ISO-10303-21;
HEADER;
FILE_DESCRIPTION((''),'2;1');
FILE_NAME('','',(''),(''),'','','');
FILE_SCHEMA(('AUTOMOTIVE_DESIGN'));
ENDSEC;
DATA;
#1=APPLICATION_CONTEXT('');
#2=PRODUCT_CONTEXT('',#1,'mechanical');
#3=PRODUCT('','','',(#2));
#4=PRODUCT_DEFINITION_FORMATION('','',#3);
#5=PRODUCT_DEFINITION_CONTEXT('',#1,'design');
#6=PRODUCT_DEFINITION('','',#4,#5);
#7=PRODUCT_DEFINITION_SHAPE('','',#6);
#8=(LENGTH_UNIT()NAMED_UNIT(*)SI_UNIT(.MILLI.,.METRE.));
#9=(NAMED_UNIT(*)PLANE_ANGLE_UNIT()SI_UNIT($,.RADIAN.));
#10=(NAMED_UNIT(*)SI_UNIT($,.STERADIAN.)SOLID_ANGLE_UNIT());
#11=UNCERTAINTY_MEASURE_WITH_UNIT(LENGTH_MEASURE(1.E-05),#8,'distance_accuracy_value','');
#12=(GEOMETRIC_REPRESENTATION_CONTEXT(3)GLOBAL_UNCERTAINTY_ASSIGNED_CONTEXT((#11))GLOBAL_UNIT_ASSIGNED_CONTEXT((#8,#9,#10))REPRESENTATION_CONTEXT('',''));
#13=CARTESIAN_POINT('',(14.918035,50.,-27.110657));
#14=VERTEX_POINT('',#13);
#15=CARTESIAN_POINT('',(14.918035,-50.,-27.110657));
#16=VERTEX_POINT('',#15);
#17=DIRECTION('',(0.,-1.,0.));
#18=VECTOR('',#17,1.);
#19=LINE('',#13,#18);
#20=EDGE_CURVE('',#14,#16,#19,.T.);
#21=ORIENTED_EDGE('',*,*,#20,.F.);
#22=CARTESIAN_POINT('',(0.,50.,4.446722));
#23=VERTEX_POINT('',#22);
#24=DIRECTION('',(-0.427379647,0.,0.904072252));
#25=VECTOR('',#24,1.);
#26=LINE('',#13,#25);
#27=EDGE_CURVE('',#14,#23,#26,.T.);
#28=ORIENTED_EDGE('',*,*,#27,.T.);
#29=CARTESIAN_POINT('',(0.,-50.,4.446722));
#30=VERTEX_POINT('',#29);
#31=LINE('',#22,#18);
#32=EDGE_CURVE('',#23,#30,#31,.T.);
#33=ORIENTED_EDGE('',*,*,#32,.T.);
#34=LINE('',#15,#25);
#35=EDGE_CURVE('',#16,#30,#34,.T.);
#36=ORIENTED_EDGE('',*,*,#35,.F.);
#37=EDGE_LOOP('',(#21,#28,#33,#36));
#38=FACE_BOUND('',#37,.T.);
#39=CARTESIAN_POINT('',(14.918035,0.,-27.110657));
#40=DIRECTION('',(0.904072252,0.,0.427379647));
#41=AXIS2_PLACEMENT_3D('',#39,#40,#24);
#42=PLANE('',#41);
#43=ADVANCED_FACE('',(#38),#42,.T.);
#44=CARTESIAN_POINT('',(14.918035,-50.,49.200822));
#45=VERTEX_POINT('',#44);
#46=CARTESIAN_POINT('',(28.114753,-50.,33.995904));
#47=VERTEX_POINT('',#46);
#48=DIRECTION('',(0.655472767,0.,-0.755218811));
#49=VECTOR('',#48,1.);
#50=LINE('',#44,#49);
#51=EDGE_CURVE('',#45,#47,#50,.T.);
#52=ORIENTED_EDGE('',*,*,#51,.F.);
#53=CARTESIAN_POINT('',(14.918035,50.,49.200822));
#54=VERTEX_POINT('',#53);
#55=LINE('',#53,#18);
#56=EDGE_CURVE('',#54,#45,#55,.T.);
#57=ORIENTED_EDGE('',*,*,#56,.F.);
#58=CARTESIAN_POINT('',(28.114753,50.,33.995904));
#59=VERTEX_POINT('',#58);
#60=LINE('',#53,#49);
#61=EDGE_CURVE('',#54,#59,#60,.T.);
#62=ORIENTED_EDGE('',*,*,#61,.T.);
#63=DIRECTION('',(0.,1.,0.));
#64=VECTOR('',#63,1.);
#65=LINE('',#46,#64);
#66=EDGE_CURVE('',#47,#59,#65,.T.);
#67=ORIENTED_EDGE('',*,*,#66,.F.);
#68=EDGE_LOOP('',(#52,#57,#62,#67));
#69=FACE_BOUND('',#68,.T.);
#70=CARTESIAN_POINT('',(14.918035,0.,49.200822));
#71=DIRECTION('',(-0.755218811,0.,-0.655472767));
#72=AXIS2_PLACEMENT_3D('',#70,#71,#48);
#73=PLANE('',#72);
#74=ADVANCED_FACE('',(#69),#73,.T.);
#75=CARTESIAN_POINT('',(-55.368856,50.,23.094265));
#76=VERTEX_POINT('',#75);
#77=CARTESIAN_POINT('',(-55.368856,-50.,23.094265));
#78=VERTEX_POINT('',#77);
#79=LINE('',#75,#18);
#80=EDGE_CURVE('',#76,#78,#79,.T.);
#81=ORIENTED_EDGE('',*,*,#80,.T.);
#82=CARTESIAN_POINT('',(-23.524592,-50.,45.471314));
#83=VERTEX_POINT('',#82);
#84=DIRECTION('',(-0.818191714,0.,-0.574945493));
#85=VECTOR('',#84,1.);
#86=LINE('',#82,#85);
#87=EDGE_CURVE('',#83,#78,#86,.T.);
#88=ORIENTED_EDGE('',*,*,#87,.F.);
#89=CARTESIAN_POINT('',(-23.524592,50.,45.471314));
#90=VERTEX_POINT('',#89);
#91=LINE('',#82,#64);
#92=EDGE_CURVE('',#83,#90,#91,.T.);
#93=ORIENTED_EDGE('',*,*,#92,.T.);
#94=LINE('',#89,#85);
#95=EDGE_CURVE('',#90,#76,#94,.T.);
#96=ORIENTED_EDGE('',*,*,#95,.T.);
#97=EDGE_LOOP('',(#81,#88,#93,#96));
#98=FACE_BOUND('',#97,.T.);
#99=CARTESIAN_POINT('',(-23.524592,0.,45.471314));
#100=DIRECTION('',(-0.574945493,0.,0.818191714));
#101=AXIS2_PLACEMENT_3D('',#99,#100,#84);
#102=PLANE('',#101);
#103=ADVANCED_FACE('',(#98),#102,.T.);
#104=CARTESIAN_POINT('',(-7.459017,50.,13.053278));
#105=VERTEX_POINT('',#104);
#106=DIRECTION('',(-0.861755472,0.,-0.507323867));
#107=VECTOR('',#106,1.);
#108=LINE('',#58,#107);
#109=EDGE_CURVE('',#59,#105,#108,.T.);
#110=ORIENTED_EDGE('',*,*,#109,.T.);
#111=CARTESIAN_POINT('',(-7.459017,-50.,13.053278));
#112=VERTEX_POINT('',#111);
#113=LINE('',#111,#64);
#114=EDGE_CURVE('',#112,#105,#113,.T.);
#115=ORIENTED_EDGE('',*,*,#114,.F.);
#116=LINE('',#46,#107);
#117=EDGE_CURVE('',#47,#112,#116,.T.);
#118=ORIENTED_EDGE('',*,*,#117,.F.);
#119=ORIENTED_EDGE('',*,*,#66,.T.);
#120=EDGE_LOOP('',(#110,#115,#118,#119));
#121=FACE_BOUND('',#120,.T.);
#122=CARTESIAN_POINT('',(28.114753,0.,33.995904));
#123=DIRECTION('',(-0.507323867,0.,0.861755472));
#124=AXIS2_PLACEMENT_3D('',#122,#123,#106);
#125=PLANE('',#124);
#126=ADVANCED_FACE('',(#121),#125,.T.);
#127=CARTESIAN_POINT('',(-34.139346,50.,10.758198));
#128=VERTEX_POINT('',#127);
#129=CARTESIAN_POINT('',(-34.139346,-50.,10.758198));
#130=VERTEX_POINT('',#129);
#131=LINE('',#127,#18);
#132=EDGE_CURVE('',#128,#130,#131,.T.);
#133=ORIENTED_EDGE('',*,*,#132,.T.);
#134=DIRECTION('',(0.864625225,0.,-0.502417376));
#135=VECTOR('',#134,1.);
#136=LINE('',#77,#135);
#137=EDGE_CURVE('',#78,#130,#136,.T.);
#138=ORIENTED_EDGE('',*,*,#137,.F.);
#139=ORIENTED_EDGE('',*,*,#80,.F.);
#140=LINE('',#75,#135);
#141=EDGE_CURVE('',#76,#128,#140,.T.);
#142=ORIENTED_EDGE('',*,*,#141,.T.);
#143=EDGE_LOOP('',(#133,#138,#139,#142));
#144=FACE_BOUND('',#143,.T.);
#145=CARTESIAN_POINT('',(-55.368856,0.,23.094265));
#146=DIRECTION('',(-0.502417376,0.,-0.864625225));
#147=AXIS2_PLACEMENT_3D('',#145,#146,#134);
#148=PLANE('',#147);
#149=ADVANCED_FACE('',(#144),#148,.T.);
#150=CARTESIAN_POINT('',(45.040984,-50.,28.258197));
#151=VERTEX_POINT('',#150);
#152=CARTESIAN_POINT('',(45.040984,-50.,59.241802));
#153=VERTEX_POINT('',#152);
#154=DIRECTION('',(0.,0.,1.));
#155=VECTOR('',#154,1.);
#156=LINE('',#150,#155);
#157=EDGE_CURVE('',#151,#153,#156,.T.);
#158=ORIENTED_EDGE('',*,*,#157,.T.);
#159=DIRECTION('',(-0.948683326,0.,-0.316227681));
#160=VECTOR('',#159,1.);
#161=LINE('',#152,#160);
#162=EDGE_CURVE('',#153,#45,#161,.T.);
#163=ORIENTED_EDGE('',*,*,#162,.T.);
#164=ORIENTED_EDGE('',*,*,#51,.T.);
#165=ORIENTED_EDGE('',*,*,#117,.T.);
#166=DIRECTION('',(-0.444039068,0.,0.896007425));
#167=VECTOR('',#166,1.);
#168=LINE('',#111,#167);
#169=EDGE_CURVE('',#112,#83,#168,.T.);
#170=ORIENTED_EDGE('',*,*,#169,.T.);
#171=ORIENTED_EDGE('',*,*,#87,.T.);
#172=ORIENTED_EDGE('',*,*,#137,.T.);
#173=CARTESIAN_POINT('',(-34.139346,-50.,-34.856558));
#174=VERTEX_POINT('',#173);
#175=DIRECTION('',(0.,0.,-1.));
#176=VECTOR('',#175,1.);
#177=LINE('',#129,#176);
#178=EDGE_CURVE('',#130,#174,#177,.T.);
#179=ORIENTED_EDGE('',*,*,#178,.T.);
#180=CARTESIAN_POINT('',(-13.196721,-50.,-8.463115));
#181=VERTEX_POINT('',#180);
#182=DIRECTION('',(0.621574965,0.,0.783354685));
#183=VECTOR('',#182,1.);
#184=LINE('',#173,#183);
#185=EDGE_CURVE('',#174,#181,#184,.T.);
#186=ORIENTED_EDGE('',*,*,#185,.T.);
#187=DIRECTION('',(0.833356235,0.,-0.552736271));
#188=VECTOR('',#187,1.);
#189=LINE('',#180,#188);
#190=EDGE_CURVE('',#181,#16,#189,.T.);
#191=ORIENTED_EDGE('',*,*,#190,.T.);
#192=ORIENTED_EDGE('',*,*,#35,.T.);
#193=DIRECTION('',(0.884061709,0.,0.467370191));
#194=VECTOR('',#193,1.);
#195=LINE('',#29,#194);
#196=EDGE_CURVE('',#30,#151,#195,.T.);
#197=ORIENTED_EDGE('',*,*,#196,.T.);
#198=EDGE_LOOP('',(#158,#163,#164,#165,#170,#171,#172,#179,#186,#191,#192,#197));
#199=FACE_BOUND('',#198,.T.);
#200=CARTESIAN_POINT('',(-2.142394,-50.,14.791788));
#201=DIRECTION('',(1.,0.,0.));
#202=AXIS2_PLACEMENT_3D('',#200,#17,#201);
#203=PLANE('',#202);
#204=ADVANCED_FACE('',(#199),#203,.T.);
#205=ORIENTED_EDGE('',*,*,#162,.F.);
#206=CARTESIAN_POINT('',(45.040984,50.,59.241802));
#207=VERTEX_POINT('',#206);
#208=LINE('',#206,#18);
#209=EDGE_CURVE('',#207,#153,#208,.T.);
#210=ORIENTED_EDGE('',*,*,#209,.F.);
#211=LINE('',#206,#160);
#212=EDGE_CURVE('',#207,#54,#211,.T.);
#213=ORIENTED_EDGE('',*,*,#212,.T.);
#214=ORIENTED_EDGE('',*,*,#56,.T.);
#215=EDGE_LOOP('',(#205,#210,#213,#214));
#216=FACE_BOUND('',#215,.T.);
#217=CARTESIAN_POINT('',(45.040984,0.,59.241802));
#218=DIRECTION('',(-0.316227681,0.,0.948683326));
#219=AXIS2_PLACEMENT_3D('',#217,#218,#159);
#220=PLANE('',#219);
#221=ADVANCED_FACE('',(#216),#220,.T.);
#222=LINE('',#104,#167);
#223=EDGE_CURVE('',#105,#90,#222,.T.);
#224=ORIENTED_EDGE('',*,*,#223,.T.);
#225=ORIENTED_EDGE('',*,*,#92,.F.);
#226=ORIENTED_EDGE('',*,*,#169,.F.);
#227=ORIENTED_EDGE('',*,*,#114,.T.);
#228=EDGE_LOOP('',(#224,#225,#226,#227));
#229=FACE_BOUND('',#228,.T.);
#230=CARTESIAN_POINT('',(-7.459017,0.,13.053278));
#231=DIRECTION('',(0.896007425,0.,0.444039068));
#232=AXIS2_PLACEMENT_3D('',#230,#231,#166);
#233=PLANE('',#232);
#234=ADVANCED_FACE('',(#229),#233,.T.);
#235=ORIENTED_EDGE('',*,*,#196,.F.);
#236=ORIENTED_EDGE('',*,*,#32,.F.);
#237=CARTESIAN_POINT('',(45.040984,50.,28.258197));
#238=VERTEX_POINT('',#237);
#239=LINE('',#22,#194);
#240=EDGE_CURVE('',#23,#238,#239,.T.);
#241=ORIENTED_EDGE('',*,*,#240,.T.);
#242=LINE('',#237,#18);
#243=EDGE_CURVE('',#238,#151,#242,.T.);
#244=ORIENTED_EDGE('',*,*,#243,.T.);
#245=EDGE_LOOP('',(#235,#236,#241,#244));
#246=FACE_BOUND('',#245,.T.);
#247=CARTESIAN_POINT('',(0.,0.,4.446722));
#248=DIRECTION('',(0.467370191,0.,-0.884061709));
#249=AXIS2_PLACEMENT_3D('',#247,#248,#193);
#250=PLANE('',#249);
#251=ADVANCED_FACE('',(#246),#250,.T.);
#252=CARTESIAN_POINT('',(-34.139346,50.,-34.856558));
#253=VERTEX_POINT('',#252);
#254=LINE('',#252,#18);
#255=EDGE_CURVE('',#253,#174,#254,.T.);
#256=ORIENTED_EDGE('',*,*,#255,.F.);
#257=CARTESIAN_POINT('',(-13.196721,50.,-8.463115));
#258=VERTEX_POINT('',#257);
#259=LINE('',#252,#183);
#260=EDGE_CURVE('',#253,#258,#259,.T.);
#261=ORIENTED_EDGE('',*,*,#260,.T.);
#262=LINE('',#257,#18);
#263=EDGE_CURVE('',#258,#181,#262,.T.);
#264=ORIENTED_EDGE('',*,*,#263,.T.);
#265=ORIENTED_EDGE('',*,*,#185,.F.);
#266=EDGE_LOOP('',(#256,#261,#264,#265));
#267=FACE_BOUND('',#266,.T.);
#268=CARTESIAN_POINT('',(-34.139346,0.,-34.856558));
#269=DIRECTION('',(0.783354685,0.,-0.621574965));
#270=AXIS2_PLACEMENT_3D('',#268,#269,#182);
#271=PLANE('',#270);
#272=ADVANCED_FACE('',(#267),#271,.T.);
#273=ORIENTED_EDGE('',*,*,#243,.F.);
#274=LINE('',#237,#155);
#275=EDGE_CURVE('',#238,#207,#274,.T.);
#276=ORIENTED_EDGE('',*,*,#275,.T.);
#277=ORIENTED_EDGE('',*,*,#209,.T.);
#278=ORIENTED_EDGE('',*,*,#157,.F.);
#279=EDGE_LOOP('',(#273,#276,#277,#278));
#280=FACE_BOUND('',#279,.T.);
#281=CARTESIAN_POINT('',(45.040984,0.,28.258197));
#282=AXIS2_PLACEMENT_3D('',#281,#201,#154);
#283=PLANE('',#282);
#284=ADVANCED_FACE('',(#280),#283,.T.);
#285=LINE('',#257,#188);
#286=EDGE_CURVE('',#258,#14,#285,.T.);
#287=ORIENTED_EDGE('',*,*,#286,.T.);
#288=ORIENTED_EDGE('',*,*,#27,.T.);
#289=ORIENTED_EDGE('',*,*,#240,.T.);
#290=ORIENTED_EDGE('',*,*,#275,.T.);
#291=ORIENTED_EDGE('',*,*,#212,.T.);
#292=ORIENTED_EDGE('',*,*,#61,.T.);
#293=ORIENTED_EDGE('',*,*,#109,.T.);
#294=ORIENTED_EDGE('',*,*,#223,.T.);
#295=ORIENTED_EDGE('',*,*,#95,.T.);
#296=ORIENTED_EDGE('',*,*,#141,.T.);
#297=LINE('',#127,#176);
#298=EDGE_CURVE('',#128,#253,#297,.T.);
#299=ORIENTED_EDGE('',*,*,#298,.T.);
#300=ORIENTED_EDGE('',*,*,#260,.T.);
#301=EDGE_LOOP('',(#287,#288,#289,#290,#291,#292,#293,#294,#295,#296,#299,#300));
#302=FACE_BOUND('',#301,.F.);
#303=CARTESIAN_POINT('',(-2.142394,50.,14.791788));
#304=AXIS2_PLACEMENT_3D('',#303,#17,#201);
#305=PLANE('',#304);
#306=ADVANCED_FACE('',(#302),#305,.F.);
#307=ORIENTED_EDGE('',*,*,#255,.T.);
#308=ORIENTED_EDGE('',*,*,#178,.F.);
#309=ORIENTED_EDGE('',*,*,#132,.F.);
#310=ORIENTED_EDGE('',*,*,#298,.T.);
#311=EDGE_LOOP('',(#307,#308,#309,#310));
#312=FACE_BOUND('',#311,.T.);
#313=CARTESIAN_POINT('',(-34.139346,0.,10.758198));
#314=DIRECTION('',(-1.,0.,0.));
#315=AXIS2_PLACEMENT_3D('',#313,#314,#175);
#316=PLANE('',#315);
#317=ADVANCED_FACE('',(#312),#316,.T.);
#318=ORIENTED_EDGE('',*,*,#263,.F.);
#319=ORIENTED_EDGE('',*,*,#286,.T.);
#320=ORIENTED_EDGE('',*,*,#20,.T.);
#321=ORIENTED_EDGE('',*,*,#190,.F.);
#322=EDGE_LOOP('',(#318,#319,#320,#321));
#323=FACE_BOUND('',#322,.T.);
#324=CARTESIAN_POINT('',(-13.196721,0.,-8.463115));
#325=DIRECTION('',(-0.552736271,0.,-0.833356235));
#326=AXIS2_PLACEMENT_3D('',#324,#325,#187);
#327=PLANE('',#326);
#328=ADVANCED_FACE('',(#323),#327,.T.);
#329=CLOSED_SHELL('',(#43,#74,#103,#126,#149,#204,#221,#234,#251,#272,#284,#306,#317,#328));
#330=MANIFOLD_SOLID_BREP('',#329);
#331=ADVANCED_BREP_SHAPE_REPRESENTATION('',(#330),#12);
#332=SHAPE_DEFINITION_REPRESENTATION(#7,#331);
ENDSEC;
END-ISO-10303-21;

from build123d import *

# Parameters (mm, degrees)
F1_DEPTH = 50


with BuildPart() as f1:
    # F0 (on Front) → F1 (new body, symmetric)
    with BuildSketch(Plane.XZ):
        Polygon((-23.524592, 45.471314), (-55.368856, 23.094265), (-34.139346, 10.758198), (-34.139346, -5.020492), (-34.139346, -34.856558), (-13.196721, -8.463115), (14.918035, -27.110657), (0, 4.446722), (45.040984, 28.258197), (45.040984, 59.241802), (14.918035, 49.200822), (28.114753, 33.995904), (-7.459017, 13.053278), align=None)
    extrude(amount=F1_DEPTH, both=True)


solid = f1.part
